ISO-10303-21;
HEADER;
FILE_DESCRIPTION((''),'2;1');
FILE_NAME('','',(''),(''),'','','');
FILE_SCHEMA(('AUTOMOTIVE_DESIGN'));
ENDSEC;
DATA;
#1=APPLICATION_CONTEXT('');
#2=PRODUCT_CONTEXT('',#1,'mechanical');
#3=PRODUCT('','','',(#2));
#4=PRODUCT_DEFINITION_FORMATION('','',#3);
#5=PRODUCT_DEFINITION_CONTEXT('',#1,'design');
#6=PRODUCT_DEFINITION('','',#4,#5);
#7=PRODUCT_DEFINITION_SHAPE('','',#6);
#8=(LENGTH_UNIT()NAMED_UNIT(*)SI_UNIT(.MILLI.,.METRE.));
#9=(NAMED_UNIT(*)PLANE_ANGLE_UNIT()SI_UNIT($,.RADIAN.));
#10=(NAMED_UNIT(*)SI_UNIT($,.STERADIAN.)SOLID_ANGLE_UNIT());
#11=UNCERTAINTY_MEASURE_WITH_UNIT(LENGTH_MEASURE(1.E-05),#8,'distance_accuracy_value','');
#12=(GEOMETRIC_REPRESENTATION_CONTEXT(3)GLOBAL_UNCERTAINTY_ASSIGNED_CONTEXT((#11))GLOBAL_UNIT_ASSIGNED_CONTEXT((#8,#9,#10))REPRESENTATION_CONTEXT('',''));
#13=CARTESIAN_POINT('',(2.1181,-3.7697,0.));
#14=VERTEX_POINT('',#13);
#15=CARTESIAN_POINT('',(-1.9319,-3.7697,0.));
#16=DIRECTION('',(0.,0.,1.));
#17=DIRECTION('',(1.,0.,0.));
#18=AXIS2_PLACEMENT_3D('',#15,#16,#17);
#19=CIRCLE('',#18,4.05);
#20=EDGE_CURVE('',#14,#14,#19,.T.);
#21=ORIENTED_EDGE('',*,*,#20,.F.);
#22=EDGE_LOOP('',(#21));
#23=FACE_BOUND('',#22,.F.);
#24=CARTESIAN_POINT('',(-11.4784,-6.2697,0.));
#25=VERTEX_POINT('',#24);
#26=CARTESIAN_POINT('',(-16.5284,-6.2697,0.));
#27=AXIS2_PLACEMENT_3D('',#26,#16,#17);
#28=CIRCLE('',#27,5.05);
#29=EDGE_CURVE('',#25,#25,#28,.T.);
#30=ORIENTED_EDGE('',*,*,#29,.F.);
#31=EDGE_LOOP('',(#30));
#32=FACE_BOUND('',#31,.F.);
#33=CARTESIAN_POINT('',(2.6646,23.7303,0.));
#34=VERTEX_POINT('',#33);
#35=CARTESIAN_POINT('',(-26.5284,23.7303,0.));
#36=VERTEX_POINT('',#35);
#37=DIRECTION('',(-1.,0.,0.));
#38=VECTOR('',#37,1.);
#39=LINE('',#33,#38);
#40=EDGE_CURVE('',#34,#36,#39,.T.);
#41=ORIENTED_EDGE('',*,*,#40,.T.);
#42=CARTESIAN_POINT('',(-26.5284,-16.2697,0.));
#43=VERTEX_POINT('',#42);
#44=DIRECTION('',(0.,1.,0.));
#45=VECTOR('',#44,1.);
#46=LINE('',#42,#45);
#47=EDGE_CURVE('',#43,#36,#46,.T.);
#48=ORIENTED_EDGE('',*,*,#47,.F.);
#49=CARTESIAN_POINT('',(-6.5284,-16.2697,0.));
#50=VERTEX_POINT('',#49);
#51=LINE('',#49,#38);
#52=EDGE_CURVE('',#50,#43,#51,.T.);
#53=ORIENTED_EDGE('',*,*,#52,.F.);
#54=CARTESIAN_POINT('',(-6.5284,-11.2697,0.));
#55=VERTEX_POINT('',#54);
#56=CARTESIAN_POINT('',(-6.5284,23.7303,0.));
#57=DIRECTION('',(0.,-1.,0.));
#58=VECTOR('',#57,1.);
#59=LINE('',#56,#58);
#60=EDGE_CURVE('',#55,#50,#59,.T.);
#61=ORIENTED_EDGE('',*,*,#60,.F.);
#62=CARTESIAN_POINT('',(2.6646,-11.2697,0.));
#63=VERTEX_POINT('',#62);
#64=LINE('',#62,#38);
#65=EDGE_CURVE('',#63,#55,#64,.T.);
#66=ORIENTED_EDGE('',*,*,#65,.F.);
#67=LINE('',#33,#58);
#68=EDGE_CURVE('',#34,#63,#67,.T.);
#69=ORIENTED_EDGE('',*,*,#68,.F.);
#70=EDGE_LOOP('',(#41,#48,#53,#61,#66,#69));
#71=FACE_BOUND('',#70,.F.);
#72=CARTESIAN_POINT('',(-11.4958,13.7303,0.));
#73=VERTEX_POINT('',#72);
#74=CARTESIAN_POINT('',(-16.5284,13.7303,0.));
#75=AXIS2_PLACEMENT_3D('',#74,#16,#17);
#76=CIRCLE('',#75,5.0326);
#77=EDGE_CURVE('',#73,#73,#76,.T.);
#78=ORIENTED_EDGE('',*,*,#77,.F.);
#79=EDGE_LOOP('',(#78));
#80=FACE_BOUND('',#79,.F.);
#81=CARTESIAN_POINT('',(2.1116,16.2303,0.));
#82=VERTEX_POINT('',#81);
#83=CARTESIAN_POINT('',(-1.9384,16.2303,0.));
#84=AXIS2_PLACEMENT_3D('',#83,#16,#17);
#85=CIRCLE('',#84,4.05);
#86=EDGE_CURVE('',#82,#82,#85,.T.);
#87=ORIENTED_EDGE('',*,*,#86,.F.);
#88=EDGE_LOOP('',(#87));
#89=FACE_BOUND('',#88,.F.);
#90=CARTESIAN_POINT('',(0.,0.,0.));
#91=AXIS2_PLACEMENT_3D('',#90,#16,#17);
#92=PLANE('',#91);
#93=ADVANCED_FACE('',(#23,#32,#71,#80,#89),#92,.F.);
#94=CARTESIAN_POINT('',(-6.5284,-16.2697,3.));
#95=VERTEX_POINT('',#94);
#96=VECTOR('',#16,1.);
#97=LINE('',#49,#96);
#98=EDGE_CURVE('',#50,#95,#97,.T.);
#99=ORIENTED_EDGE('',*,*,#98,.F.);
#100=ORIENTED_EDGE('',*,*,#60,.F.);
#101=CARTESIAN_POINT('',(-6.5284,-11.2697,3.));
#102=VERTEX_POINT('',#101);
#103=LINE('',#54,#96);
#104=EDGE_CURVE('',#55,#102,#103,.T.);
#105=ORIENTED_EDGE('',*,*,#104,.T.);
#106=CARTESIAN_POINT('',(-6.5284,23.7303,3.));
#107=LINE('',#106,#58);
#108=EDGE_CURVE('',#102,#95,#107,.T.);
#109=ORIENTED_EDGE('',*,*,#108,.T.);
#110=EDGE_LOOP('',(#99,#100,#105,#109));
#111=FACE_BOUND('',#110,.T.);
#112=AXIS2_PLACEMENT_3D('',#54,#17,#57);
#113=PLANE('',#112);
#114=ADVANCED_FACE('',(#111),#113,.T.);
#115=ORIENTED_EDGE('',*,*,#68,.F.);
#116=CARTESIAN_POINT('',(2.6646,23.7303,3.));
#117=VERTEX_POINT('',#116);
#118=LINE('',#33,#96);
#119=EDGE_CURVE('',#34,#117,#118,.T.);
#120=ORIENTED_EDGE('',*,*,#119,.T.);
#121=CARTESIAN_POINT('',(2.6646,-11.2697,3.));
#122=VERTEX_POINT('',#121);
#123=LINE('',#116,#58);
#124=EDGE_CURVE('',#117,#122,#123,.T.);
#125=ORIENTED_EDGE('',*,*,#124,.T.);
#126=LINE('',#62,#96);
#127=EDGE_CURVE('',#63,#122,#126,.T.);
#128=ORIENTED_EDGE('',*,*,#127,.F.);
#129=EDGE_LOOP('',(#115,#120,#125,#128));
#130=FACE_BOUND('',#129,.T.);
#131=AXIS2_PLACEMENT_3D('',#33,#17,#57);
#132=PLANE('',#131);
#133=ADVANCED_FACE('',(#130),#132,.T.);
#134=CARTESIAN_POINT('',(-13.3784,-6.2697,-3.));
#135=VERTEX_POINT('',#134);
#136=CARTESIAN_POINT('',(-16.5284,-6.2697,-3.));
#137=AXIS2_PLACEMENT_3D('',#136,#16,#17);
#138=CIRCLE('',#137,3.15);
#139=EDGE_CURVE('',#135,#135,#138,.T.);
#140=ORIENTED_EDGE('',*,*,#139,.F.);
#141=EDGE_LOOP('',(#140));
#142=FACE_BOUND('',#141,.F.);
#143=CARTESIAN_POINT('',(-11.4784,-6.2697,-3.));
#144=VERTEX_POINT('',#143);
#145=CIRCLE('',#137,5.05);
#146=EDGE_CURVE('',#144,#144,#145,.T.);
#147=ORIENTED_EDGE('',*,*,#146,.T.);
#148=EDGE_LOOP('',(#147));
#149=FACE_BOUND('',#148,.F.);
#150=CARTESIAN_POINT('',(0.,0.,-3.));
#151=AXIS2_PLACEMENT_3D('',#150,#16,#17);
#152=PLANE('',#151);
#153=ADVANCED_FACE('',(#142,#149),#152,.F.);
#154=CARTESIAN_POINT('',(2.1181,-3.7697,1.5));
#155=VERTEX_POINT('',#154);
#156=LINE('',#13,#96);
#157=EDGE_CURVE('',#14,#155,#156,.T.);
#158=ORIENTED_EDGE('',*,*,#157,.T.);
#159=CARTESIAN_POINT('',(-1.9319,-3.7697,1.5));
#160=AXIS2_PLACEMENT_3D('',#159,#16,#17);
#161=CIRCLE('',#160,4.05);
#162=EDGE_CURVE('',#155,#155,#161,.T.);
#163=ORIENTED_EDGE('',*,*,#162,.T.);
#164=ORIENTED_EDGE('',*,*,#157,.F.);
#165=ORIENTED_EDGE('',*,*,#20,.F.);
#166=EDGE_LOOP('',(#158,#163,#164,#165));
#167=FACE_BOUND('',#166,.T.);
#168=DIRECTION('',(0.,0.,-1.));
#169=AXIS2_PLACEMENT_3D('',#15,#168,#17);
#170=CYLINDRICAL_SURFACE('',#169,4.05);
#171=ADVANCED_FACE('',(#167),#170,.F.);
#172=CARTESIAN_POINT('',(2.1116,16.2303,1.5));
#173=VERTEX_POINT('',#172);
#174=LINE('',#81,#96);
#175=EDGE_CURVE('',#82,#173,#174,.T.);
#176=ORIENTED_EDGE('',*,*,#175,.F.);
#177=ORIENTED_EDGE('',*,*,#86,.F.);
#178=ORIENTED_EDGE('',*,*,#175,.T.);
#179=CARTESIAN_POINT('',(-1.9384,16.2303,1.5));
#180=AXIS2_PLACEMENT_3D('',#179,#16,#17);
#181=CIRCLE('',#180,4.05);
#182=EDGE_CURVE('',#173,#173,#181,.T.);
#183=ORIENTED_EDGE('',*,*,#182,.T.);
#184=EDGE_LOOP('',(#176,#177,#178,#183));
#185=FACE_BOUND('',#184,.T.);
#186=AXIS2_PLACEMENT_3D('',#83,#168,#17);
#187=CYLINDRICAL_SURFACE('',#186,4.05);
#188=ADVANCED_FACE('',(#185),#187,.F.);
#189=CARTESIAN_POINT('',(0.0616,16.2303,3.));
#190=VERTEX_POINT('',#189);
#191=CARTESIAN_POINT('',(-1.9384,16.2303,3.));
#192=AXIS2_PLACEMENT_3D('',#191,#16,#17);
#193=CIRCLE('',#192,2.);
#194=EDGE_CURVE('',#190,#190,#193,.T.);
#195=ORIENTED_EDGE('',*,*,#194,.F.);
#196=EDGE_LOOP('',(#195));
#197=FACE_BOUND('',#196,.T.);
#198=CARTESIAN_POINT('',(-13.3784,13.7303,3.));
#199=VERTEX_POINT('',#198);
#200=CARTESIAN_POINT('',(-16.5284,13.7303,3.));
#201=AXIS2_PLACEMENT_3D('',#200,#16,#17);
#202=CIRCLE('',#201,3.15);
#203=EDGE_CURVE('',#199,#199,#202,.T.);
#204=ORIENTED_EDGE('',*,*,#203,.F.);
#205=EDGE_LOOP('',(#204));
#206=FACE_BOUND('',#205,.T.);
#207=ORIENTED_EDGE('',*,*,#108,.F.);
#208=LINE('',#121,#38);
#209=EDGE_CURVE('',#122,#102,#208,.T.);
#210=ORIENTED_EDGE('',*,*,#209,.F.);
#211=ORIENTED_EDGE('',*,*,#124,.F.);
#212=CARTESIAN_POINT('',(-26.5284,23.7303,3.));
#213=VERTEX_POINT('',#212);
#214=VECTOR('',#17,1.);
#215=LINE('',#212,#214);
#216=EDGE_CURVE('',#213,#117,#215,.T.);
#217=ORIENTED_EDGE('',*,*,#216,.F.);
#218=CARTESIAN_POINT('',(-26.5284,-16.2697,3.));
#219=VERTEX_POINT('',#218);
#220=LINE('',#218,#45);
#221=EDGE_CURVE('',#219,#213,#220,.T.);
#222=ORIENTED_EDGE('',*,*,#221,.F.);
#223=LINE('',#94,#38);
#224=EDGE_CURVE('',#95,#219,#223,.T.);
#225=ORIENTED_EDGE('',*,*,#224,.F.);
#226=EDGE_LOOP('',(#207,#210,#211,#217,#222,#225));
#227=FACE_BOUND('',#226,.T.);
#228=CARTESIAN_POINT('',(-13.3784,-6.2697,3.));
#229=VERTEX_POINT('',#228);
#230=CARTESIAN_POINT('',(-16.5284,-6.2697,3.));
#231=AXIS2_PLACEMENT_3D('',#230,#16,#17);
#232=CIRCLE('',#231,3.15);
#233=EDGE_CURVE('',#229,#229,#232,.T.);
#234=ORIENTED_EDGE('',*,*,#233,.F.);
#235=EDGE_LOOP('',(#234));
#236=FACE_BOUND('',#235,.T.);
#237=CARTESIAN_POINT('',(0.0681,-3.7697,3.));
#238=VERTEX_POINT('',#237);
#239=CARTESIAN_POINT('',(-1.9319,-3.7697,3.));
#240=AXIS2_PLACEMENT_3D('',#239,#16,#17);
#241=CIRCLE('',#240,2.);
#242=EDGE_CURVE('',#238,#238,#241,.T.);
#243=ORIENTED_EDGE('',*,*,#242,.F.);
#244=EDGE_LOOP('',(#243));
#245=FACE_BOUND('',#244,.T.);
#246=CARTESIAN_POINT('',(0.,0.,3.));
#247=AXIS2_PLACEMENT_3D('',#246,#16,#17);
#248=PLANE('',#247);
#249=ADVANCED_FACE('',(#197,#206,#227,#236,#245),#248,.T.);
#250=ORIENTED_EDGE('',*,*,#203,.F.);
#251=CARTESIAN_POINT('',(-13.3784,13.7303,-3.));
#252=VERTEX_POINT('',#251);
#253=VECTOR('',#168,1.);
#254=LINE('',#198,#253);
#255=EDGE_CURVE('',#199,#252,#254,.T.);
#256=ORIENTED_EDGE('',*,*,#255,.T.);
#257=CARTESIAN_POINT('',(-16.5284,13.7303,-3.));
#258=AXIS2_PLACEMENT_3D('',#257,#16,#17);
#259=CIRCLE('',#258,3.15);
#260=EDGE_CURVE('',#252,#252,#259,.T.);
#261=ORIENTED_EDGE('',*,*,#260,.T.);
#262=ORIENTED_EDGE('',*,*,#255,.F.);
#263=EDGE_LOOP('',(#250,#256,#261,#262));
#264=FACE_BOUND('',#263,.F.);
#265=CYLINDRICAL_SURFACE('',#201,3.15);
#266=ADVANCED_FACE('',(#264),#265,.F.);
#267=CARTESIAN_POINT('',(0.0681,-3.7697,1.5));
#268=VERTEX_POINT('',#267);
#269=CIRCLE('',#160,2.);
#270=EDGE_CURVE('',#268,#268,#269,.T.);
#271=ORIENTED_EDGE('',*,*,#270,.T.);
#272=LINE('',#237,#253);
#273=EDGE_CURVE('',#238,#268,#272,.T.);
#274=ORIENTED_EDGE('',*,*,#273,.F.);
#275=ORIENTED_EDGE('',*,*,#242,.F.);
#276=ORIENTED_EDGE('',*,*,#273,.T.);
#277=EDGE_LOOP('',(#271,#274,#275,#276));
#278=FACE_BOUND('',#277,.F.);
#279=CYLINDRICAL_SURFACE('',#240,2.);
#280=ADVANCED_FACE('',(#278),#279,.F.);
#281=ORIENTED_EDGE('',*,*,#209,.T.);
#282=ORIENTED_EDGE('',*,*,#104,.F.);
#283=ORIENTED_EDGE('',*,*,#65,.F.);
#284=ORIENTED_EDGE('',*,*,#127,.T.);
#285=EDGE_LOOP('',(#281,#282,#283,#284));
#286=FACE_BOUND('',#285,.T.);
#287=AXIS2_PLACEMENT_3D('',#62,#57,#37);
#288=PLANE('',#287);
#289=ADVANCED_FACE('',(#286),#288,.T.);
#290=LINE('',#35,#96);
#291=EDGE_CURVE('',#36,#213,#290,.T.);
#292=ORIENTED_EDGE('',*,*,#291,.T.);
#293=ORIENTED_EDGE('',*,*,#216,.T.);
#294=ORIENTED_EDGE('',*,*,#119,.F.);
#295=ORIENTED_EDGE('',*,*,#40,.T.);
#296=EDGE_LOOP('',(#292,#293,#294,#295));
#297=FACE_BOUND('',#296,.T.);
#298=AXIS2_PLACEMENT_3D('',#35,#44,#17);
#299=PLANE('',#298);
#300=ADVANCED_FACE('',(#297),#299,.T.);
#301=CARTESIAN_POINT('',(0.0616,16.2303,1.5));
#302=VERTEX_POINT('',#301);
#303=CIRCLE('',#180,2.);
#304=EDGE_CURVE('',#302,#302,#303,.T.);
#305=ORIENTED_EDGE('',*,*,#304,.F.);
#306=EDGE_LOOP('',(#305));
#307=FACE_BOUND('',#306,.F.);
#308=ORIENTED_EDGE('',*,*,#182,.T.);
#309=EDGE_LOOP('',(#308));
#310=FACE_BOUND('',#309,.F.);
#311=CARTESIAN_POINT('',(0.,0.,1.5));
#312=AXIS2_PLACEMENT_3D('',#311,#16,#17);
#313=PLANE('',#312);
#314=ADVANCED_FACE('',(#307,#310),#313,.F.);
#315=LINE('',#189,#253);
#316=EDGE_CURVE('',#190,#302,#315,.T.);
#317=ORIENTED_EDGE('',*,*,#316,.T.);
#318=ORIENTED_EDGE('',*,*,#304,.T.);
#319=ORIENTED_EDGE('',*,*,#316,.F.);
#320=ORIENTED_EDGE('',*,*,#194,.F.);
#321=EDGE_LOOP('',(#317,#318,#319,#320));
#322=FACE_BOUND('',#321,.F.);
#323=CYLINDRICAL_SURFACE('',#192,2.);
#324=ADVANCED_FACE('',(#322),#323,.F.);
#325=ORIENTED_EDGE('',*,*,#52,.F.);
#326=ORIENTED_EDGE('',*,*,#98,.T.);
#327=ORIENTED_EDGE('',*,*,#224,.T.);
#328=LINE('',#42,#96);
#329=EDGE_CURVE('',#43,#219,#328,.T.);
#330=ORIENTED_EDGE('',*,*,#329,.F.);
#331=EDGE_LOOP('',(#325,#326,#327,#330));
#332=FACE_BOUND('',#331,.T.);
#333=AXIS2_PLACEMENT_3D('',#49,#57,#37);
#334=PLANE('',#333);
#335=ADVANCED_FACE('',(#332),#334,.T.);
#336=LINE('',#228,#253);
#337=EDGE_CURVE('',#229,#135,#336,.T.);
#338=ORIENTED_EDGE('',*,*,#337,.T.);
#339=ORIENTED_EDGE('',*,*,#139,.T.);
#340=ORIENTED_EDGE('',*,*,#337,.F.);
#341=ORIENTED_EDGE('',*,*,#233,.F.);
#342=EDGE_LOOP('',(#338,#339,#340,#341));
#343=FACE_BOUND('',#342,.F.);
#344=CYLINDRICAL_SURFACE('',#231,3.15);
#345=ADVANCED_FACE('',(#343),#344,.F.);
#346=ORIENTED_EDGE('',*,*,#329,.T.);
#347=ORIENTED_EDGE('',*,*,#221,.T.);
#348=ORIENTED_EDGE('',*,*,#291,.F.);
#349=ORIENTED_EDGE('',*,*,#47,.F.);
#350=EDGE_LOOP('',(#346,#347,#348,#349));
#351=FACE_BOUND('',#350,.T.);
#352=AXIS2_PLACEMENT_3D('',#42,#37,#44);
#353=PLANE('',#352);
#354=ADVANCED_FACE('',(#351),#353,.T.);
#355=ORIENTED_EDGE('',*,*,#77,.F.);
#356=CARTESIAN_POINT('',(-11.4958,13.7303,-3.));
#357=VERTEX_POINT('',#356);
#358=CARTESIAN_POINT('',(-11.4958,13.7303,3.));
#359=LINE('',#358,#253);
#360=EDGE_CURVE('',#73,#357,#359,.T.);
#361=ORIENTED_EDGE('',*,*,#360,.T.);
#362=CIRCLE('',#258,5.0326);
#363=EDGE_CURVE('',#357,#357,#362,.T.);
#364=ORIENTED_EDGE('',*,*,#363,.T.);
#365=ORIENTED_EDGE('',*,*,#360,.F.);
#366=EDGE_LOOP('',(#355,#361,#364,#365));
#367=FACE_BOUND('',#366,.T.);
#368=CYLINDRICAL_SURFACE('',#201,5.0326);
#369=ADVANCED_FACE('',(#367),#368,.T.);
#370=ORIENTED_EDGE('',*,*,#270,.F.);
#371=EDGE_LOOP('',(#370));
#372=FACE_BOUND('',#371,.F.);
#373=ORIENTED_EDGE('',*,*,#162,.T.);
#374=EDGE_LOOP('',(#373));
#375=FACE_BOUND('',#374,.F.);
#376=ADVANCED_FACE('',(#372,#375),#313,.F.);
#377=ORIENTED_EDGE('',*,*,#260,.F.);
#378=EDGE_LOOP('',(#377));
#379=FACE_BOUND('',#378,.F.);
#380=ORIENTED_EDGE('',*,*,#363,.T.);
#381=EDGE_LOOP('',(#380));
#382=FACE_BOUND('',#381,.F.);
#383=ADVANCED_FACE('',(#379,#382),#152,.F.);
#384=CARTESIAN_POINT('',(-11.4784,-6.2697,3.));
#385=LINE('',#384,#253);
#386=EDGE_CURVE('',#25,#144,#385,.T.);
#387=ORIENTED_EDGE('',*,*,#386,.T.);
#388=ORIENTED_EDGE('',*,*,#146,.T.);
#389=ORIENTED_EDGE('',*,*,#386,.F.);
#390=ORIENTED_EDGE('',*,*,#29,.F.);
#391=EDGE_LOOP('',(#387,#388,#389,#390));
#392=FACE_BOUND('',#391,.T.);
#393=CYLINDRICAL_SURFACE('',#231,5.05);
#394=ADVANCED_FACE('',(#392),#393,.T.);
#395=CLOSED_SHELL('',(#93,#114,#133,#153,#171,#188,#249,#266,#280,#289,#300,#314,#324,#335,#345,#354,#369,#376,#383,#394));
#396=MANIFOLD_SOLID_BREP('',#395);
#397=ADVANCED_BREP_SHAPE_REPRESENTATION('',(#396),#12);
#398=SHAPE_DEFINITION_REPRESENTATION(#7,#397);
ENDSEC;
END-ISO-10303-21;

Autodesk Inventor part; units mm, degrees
ref_plane "YZ Plane" through (0, 0, 0) normal (1, 0, 0) x (0, 1, 0)
ref_plane "XZ Plane" through (0, 0, 0) normal (0, 1, 0) x (-1, 0, 0)
ref_plane "XY Plane" through (0, 0, 0) normal (0, 0, 1) x (1, 0, 0)
sketch "Boceto1" plane through (0, 0, 0) normal (0, 0, 1) x (1, 0, 0)
  line L0 (-26.5284, 23.7303) -> (2.6646, 23.7303)
  line L1 (-6.5284, -16.2697) -> (-26.5284, -16.2697)
  line L2 (-26.5284, -16.2697) -> (-26.5284, 23.7303)
  line L3 (-26.5284, 23.7303) -> (-6.5284, 23.7303)
  line L4 (-6.5284, 23.7303) -> (-6.5284, -16.2697)
  line L5 (-6.5284, -16.2697) -> (-26.5284, -16.2697)
  line L6 (-26.5284, -16.2697) -> (-26.5284, 23.7303)
  circle A0 centre (-16.5284, 13.7303) radius 3.15
  circle A1 centre (-16.5284, -6.2697) radius 3.15
  circle A2 centre (-16.5284, -6.2697) radius 5.05
  circle A3 centre (-16.5284, 13.7303) radius 5.0326
  line L7 (-6.5284, 23.7303) -> (-1.9384, 23.7303)
  circle A4 centre (-1.9384, 16.2303) radius 2
  line L8 (-6.5284, 23.7303) -> (2.6646, 23.7303)
  line L9 (2.6646, 23.7303) -> (2.6646, -11.2697)
  line L10 (2.6646, -11.2697) -> (-6.5284, -11.2697)
  line L11 (-6.5284, -11.2697) -> (-6.5284, 23.7303)
  circle A5 centre (-1.9319, -3.7697) radius 2
  circle A6 centre (-1.9319, -3.7697) radius 4.05
  circle A7 centre (-1.9384, 16.2303) radius 4.05
  point P0 (0, 0)
  point P1 (13.9631, 1.0984)
  point P2 (-16.5284, 23.7303)
  dimension "d0" = 6.3
  dimension "d1" = 6.3
  dimension "d2" = 10
  dimension "d3" = 10
  dimension "d4" = 10.1
  dimension "d5" = 4.59
  dimension "d6" = 4
  dimension "d7" = 7.5
  dimension "d8" = 35
  dimension "d9" = 4
  dimension "d10" = 7.5
  dimension "d11" = 8.1
  dimension "d12" = 8.1
extrude "Extrusión1" add sketch "Boceto1" along normal blind 3 contours L0 L4 L1 L2 | L0 L9 L10 L4
sketch "Boceto2" plane through (0, 0, 0) normal (0, 0, -1) x (-1, 0, 0)
  point P0 (0, 0)
sketch "Boceto3" plane through (0, 0, 3) normal (0, 0, 1) x (1, 0, 0)
  circle A0 centre (-1.9384, 16.2303) radius 4.05 projected
  circle A1 centre (-1.9384, 16.2303) radius 2
  circle A2 centre (-1.9319, -3.7697) radius 4.05 projected
  circle A3 centre (-1.9319, -3.7697) radius 2
  circle A4 centre (-16.5284, -6.2697) radius 5.05 projected
  circle A5 centre (-16.5284, -6.2697) radius 3.15
  circle A6 centre (-16.5284, 13.7303) radius 5.0326 projected
  circle A7 centre (-16.5284, 13.7303) radius 3.15
  point P0 (0, 0)
  dimension "d15" = 4
  dimension "d16" = 4
  dimension "d17" = 6.3
  dimension "d18" = 6.3
extrude "Extrusión2" add sketch "Boceto3" against normal blind 1.5 contours A0 | A2
extrude "Extrusión3" add sketch "Boceto3" against normal blind 6 contours A4 | A6
properties part number "Base Rodamiento delgado"
